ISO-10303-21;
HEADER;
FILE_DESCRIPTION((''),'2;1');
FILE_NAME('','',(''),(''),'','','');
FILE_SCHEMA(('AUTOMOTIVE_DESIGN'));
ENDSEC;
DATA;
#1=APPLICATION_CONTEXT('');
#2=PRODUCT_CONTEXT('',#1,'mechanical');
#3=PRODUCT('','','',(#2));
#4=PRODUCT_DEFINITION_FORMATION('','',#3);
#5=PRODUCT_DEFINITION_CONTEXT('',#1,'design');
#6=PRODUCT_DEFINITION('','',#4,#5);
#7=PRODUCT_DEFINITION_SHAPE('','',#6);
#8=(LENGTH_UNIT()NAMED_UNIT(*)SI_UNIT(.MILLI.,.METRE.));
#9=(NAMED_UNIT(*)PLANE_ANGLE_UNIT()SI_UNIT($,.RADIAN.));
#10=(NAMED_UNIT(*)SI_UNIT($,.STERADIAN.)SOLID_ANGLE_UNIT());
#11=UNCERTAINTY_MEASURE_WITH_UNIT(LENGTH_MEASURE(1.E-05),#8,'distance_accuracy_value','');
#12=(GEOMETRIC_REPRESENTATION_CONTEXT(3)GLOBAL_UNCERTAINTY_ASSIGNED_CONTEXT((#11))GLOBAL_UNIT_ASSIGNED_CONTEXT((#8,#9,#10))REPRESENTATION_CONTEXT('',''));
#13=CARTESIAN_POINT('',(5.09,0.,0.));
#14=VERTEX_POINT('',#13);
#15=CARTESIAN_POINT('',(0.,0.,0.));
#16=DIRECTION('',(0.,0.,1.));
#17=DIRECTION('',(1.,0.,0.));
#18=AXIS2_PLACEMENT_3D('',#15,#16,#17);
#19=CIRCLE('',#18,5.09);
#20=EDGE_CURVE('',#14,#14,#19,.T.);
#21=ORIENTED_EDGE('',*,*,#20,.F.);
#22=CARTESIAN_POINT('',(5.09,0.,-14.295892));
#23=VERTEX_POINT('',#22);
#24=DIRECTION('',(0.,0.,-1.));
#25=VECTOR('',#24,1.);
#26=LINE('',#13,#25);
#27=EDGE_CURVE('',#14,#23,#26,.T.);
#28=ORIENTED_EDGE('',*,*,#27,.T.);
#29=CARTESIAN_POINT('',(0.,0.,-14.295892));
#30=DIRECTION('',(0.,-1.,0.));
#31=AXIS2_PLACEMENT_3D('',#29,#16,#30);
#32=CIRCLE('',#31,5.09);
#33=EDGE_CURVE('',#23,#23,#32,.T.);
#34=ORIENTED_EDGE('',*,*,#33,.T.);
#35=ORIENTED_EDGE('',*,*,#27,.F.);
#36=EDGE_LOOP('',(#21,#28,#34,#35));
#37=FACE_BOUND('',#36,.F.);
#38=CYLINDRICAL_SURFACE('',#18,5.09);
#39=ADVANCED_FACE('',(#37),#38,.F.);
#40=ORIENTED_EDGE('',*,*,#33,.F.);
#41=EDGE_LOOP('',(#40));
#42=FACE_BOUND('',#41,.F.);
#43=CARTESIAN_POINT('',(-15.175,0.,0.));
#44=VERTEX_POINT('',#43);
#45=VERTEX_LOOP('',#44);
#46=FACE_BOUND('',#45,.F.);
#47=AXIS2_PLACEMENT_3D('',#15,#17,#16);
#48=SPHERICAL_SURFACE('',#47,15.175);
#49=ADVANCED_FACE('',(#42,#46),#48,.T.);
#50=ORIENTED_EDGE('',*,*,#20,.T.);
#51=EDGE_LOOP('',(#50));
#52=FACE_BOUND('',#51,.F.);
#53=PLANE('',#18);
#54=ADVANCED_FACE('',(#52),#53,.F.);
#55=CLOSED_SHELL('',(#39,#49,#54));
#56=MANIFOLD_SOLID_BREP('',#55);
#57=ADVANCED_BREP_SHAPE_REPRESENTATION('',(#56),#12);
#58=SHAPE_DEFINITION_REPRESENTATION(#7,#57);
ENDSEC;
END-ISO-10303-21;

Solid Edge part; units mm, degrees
sketch "Sketch1" plane through (0, 0, 0) normal (0, -1, 0) x (1, 0, 0)
  arc A0 (-15.175, 0) -> (15.175, 0) centre (0, 0) cw
  line L0 (15.175, 0) -> (-15.175, 0)
revolve "RevolvedProtrusion1" add sketch "Sketch1" angle 360 about axis through (15.175, 0, 0) along (-1, 0, 0)
sketch "Sketch2" plane through (0, 0, 0) normal (0, 0, 1) x (1, 0, 0)
  circle A0 centre (0, 0) radius 5.09
extrude "Cutout1" cut sketch "Sketch2" against normal blind 30.4437
